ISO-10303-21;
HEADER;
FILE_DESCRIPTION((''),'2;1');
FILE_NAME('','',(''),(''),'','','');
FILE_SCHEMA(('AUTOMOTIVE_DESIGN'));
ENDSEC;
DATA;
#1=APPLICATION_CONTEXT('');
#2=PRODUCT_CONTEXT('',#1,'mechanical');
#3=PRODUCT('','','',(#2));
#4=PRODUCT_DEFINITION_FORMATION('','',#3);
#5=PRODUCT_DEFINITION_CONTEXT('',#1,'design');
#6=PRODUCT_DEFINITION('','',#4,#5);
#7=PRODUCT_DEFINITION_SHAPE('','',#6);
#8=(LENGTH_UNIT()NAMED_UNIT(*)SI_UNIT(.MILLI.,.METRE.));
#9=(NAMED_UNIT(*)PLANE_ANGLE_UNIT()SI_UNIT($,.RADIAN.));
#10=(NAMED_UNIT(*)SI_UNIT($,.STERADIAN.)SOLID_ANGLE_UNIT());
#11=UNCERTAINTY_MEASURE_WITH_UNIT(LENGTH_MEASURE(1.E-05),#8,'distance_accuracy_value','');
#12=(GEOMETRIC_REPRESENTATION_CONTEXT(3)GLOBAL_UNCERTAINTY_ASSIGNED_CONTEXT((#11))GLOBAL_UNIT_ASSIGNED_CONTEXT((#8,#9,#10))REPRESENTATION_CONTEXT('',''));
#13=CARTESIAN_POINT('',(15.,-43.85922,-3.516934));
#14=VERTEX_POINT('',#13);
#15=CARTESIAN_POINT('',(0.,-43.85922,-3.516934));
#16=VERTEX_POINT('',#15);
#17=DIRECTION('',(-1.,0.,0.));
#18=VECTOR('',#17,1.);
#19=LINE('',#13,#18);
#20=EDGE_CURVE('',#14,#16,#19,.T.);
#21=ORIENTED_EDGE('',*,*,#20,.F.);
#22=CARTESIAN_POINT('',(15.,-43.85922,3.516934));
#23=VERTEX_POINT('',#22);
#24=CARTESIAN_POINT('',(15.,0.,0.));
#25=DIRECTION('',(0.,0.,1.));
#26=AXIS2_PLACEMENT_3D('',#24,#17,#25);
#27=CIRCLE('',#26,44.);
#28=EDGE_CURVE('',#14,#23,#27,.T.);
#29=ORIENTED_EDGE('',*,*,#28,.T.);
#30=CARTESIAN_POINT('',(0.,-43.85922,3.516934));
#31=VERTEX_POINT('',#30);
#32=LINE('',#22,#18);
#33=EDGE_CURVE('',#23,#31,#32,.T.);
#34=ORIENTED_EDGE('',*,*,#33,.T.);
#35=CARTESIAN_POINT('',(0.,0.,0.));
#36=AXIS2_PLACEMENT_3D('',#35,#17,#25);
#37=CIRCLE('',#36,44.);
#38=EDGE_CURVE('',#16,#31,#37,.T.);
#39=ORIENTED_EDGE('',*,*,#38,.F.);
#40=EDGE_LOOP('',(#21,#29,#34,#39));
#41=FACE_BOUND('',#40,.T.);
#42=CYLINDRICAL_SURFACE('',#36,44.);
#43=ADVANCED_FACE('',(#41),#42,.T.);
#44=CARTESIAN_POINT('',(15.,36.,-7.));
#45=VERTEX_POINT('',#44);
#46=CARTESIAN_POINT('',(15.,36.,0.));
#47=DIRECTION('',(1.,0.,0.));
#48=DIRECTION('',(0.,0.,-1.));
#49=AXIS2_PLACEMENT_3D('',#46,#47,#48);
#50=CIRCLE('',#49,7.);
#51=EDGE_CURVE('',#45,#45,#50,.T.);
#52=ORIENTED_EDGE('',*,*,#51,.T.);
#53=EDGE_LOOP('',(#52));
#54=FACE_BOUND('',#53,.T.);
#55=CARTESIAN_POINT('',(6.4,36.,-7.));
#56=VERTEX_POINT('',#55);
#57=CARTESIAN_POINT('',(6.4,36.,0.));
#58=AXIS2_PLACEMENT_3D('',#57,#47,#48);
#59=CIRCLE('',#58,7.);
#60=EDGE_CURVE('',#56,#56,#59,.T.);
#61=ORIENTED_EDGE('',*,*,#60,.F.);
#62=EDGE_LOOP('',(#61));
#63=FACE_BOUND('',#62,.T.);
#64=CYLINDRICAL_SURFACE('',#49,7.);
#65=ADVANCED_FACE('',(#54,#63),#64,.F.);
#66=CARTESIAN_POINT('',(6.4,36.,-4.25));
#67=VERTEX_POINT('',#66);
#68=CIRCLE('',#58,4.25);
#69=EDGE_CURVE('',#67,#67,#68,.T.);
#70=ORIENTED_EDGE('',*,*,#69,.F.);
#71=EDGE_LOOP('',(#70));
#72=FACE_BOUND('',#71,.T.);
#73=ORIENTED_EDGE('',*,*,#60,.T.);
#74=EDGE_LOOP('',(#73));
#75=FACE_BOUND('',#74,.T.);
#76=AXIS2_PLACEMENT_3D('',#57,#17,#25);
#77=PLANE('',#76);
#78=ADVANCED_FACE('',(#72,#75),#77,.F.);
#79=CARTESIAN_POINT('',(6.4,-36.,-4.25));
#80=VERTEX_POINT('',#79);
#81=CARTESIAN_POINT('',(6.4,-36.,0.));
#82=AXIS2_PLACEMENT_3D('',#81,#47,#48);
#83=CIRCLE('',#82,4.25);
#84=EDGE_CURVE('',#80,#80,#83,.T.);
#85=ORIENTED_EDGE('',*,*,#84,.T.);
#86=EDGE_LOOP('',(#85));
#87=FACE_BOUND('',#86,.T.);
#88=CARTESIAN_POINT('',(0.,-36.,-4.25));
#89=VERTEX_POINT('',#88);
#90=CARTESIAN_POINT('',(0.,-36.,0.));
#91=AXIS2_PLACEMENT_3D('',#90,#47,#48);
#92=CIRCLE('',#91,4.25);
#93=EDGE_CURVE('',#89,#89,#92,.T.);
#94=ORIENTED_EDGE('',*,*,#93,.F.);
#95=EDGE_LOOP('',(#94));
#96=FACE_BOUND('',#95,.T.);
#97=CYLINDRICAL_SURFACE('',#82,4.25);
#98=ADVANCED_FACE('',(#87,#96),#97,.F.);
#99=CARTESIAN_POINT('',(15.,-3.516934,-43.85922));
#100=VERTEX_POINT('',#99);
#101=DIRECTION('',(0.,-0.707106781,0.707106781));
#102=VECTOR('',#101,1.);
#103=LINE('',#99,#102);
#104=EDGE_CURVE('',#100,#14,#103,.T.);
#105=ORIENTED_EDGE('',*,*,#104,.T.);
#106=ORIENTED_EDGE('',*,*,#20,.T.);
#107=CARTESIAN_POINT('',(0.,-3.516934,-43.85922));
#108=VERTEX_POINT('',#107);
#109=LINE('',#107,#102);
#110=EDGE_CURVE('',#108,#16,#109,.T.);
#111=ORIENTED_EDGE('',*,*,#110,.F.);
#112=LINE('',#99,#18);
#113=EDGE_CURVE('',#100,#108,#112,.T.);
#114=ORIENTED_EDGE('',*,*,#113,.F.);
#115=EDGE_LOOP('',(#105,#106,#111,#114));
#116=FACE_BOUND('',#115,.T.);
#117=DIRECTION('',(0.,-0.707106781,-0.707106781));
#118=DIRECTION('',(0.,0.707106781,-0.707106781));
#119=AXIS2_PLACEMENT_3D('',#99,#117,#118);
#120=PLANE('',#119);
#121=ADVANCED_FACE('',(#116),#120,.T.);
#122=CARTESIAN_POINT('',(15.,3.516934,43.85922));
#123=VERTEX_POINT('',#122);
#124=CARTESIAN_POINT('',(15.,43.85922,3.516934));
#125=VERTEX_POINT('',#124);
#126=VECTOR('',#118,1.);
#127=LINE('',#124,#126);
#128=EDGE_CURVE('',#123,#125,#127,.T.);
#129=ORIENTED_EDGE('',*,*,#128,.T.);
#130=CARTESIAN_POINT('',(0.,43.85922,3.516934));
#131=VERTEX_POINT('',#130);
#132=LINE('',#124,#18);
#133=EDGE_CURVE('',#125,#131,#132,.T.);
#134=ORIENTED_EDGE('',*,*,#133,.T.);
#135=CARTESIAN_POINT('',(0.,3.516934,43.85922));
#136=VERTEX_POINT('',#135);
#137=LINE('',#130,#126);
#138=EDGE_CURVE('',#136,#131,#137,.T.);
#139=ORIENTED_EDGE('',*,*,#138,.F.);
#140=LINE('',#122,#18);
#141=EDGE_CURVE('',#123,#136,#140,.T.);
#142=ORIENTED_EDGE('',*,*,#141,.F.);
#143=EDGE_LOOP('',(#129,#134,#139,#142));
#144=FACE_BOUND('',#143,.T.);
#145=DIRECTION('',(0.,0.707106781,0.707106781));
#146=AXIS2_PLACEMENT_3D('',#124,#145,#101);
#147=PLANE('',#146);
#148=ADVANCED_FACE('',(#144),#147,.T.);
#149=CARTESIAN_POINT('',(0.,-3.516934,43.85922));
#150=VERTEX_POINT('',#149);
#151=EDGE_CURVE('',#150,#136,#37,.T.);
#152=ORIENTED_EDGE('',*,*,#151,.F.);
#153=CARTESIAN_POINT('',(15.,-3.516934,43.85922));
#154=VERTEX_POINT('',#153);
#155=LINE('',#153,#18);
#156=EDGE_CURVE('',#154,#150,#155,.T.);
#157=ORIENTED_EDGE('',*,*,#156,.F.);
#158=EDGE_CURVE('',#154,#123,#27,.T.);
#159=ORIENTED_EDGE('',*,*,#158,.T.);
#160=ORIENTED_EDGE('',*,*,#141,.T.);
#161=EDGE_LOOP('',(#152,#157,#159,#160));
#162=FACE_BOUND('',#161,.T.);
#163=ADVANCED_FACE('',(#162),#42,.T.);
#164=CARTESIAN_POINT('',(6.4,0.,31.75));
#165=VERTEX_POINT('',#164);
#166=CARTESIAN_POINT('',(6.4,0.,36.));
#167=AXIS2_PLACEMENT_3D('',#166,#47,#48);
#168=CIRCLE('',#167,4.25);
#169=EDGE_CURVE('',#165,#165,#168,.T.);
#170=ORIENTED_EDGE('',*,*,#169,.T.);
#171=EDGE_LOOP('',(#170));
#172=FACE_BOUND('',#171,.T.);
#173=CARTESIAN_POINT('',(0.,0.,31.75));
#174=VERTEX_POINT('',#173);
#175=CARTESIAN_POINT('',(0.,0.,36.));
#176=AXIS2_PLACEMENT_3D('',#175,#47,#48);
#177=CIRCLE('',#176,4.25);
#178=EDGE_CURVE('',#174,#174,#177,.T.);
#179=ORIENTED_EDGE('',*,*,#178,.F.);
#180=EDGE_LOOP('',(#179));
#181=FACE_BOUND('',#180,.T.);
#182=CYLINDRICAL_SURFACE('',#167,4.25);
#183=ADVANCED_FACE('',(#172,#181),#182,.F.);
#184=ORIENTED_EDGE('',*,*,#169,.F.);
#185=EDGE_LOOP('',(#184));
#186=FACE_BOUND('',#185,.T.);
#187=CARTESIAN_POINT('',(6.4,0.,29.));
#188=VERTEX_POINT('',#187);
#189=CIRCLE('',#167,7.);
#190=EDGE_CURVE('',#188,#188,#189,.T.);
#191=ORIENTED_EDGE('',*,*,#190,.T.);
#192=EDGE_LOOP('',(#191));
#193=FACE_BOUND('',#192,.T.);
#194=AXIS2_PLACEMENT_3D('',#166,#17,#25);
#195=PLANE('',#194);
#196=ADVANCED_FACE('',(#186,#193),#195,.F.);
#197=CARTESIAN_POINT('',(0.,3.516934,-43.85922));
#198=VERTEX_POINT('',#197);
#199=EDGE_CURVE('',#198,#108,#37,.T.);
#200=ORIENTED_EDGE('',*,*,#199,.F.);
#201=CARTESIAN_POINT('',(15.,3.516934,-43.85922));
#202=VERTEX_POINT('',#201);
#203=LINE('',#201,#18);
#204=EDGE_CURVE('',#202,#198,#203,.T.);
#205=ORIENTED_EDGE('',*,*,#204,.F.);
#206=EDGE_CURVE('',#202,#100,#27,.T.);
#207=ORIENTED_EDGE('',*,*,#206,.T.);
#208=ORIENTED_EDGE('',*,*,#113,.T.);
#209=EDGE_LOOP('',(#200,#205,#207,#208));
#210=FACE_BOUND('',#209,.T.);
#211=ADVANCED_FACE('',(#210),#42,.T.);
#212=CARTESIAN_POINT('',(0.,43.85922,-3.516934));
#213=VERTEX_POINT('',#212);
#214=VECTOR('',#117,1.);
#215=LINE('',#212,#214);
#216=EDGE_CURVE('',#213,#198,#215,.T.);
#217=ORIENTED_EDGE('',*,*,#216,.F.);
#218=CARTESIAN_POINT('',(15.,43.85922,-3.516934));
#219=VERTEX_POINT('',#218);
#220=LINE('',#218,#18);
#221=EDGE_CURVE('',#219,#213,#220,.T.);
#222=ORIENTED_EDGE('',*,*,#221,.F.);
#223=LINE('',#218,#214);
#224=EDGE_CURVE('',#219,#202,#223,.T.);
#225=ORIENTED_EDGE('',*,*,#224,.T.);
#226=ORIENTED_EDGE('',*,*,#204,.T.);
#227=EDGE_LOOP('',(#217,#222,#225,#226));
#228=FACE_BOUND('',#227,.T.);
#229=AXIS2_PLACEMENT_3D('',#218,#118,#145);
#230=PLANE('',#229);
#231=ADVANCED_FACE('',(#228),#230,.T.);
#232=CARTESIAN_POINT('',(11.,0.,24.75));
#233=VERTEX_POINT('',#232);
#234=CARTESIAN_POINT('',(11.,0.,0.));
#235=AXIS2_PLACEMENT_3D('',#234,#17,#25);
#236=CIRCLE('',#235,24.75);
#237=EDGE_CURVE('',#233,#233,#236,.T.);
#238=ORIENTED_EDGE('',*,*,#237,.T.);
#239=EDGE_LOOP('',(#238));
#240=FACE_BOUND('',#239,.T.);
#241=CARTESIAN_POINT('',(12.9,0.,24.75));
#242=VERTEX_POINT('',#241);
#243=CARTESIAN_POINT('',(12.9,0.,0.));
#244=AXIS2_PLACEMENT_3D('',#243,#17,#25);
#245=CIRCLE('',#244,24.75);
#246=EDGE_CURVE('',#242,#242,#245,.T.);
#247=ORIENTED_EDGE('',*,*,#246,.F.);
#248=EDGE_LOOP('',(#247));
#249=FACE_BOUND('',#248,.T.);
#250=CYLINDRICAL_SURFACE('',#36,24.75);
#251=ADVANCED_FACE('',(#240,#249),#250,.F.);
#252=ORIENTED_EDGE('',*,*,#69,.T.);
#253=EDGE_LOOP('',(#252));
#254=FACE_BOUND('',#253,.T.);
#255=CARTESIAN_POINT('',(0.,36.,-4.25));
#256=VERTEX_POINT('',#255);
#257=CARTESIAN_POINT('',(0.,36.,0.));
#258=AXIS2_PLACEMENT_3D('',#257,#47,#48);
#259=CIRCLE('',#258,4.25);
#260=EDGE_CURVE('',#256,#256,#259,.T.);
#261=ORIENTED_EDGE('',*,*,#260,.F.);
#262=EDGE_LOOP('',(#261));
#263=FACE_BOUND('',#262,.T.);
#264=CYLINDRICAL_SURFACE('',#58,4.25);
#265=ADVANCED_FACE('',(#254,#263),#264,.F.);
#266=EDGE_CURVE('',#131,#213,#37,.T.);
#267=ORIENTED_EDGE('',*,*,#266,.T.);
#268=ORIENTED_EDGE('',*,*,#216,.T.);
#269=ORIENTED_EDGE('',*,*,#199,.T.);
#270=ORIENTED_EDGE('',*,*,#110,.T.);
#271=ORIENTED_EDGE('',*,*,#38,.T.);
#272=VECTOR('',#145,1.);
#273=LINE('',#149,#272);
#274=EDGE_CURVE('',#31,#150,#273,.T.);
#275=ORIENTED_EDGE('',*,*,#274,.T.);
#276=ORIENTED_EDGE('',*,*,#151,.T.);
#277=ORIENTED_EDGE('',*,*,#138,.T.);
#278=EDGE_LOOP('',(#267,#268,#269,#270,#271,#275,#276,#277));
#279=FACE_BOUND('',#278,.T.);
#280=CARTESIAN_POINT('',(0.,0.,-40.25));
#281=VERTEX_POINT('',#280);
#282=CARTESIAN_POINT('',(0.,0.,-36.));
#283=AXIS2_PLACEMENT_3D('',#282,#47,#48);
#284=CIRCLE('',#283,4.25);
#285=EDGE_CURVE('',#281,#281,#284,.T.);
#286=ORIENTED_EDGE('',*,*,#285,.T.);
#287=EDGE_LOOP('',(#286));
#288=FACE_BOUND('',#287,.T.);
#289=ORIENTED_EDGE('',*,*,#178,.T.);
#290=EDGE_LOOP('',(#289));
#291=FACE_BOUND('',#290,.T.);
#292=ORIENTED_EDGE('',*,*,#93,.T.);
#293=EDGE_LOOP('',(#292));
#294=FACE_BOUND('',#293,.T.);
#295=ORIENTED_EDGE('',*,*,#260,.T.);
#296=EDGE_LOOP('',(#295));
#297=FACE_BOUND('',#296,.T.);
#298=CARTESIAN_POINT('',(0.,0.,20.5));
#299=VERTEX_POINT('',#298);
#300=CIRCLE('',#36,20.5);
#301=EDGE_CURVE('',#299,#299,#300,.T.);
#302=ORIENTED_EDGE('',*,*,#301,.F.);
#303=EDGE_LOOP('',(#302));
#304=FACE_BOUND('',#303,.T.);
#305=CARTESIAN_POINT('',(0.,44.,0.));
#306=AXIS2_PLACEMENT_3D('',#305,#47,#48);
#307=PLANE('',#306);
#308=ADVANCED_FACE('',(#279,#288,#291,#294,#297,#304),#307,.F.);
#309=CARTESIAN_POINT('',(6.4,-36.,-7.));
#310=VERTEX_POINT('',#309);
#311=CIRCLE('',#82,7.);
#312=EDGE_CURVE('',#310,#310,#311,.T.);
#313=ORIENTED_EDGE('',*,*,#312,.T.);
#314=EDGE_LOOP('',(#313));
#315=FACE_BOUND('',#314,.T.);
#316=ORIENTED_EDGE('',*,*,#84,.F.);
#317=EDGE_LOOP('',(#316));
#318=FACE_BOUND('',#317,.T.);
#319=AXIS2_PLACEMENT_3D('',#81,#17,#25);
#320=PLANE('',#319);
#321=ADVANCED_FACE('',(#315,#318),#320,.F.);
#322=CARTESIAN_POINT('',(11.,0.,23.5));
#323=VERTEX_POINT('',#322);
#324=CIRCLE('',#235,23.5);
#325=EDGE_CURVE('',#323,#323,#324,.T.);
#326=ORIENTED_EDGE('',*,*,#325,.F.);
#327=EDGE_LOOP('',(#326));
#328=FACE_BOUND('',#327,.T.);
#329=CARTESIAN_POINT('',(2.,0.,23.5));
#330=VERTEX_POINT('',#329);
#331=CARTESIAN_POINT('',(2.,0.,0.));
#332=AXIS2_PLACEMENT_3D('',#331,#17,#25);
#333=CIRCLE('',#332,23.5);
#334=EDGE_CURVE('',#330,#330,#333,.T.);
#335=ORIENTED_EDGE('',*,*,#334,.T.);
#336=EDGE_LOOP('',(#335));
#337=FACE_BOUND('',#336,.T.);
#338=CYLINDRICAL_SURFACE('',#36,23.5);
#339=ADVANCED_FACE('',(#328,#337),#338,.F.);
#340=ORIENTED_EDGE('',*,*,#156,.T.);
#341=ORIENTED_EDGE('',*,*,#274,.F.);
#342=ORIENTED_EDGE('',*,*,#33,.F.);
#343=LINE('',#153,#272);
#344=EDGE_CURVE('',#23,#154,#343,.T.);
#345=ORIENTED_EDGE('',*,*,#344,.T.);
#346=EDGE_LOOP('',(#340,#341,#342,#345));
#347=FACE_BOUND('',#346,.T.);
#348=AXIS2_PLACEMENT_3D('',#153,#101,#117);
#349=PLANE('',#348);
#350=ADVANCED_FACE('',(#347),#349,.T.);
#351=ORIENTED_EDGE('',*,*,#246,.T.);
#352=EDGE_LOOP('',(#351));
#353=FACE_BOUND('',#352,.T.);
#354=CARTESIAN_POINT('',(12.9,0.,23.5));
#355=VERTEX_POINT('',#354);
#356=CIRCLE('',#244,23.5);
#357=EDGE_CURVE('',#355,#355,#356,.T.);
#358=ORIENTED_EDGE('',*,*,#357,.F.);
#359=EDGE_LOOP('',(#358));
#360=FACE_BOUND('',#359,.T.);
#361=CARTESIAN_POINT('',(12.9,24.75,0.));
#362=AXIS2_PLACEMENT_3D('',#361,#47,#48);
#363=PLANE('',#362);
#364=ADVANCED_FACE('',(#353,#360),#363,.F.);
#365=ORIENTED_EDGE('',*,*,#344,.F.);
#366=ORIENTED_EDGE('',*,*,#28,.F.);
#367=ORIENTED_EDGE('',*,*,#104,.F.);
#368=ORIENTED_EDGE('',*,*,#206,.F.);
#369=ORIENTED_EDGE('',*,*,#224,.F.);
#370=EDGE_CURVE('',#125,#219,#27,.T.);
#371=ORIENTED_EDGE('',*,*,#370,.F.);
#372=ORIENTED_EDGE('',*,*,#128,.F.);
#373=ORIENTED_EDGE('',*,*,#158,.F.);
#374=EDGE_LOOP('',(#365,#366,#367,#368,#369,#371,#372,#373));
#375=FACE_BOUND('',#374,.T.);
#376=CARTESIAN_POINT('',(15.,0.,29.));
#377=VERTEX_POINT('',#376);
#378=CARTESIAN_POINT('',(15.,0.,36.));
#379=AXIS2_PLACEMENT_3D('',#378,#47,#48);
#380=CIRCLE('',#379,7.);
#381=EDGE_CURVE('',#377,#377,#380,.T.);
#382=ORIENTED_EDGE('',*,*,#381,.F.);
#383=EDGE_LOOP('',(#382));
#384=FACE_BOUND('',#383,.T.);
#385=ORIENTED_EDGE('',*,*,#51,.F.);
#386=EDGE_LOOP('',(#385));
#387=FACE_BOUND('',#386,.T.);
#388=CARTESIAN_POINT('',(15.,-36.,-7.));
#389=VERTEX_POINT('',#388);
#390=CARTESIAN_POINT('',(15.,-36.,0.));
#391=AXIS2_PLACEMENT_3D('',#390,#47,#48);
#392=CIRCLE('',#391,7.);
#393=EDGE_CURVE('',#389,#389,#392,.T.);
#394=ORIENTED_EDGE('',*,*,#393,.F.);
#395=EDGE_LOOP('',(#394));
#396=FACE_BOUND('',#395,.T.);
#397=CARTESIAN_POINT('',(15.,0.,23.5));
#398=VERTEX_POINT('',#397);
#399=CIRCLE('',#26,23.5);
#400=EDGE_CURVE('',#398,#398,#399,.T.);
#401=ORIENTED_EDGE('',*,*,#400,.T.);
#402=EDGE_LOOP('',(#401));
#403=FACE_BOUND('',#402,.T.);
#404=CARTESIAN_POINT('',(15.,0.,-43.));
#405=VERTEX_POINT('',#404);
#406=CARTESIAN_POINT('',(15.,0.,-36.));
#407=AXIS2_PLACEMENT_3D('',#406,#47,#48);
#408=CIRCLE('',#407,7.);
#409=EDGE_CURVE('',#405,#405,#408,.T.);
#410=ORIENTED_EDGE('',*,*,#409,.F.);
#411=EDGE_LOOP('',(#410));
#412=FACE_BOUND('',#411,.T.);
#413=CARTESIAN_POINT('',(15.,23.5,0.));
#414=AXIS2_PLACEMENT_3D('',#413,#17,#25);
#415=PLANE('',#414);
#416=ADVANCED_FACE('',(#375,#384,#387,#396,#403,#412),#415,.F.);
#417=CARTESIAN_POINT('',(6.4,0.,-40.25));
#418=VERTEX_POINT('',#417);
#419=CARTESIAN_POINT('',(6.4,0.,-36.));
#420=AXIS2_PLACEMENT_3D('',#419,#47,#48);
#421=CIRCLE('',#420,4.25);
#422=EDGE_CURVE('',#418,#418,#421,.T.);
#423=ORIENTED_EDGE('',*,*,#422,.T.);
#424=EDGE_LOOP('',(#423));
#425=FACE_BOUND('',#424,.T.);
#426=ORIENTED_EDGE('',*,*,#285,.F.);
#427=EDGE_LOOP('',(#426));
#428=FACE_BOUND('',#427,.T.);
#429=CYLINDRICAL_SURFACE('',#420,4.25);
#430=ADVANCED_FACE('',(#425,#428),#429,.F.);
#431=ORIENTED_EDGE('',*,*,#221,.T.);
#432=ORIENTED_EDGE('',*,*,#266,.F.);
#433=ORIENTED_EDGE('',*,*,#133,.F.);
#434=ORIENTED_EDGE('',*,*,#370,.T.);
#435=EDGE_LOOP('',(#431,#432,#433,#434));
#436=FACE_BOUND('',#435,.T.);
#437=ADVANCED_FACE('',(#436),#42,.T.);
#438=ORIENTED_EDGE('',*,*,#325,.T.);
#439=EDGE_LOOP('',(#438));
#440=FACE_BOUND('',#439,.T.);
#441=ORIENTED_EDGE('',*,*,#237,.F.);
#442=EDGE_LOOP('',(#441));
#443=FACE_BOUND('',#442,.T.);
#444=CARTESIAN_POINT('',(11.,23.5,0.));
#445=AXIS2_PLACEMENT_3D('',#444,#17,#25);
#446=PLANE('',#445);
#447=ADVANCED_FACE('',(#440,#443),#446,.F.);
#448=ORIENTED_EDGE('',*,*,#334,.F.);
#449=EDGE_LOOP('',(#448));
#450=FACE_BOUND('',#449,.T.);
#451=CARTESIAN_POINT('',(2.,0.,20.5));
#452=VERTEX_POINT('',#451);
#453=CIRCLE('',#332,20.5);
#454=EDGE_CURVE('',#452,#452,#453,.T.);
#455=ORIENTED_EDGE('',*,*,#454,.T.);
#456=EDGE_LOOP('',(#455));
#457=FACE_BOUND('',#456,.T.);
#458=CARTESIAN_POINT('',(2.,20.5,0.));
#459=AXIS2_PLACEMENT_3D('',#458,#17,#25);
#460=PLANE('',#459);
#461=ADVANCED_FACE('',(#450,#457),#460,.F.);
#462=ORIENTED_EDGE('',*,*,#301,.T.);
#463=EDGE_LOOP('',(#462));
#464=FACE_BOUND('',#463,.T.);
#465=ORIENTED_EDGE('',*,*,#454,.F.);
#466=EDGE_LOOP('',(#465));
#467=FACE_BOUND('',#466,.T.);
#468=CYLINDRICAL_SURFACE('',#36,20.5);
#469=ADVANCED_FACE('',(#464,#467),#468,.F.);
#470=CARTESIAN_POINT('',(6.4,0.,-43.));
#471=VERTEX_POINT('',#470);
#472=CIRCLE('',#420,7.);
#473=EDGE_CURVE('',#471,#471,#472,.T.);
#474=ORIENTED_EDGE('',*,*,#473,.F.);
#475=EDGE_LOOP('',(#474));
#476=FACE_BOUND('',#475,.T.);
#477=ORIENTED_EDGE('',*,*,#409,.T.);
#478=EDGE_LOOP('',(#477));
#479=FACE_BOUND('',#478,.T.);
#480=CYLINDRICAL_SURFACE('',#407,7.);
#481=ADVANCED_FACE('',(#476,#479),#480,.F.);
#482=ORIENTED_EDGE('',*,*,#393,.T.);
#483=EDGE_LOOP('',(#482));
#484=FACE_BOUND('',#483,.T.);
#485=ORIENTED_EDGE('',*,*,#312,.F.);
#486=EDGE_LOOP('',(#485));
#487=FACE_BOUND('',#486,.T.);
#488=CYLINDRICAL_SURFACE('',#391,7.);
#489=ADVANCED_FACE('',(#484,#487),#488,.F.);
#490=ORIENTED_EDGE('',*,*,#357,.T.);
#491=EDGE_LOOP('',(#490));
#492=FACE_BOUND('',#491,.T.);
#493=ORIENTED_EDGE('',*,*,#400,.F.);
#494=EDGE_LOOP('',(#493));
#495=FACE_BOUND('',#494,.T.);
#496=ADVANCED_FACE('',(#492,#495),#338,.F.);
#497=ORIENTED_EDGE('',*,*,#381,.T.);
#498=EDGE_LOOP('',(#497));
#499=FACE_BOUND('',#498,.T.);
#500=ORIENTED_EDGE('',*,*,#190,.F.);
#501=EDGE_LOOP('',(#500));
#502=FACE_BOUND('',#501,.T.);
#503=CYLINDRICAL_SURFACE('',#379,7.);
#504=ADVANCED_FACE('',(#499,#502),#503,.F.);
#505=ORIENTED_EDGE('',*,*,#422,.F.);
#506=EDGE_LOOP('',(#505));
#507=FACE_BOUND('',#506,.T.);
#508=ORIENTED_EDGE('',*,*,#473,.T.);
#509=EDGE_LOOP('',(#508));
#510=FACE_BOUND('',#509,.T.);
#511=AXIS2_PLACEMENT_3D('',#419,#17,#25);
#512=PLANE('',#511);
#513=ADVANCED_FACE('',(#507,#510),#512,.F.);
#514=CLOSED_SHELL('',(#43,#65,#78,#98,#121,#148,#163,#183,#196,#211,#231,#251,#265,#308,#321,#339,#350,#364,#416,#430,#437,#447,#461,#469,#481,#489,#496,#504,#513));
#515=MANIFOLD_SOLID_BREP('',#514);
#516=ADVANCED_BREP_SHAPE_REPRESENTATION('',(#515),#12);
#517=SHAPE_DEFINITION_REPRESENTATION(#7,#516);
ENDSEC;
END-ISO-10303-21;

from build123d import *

# Parameters (mm, degrees)
DIAMETER_HOLE1_D     = 14
DIAMETER_HOLE1_DEPTH = 8.6
TAPPED_HOLE1_D       = 8.5
CUT_EXTRUDE1_DEPTH   = 65.007812023


with BuildPart() as part:
    # Sketch1 → Revolve1 (revolve)
    with BuildSketch(Plane.XY):
        Polygon((15, 44), (0, 44), (0, 20.5), (2, 20.5), (2, 23.5), (11, 23.5), (11, 24.75), (12.9, 24.75), (12.9, 23.5), (15, 23.5), align=None)
    revolve(axis=Axis((0, 0, 0), (1, 0, 0)))

    # Diameter Hole1
    with Locations(Plane(origin=(15, 0, 0), x_dir=(0, 0, -1), z_dir=(1, 0, 0))):
        with Locations((0, 36), (36, 0), (0, -36), (-36, 0)):
            Hole(DIAMETER_HOLE1_D / 2, depth=DIAMETER_HOLE1_DEPTH)

    # Tapped Hole1 (through all)
    with Locations(Plane(origin=(6.4, 0, 0), x_dir=(0, 0, -1), z_dir=(1, 0, 0))):
        with Locations((0, 36), (36, 0), (0, -36), (-36, 0)):
            Hole(TAPPED_HOLE1_D / 2)

    # Sketch6 → Cut-Extrude1 (cut, through all)
    with BuildSketch(Plane(origin=(0, 0, 0), x_dir=(0, 0, -1), z_dir=(1, 0, 0))):
        with BuildLine():
            Line((-3.516934416, 43.859219924), (-43.859219924, 3.516934416))
            ThreePointArc((-43.859219924, 3.516934416), (-31.112698372, 31.112698372), (-3.516934416, 43.859219924))
        make_face()
        with BuildLine():
            Line((3.516934416, 43.859219924), (43.859219924, 3.516934416))
            ThreePointArc((43.859219924, 3.516934416), (31.112698372, 31.112698372), (3.516934416, 43.859219924))
        make_face()
        with BuildLine():
            Line((43.859219924, -3.516934416), (3.516934416, -43.859219924))
            ThreePointArc((3.516934416, -43.859219924), (31.112698372, -31.112698372), (43.859219924, -3.516934416))
        make_face()
        with BuildLine():
            Line((-43.859219924, -3.516934416), (-3.516934416, -43.859219924))
            ThreePointArc((-3.516934416, -43.859219924), (-31.112698372, -31.112698372), (-43.859219924, -3.516934416))
        make_face()
    extrude(amount=CUT_EXTRUDE1_DEPTH, mode=Mode.SUBTRACT)


solid = part.part
